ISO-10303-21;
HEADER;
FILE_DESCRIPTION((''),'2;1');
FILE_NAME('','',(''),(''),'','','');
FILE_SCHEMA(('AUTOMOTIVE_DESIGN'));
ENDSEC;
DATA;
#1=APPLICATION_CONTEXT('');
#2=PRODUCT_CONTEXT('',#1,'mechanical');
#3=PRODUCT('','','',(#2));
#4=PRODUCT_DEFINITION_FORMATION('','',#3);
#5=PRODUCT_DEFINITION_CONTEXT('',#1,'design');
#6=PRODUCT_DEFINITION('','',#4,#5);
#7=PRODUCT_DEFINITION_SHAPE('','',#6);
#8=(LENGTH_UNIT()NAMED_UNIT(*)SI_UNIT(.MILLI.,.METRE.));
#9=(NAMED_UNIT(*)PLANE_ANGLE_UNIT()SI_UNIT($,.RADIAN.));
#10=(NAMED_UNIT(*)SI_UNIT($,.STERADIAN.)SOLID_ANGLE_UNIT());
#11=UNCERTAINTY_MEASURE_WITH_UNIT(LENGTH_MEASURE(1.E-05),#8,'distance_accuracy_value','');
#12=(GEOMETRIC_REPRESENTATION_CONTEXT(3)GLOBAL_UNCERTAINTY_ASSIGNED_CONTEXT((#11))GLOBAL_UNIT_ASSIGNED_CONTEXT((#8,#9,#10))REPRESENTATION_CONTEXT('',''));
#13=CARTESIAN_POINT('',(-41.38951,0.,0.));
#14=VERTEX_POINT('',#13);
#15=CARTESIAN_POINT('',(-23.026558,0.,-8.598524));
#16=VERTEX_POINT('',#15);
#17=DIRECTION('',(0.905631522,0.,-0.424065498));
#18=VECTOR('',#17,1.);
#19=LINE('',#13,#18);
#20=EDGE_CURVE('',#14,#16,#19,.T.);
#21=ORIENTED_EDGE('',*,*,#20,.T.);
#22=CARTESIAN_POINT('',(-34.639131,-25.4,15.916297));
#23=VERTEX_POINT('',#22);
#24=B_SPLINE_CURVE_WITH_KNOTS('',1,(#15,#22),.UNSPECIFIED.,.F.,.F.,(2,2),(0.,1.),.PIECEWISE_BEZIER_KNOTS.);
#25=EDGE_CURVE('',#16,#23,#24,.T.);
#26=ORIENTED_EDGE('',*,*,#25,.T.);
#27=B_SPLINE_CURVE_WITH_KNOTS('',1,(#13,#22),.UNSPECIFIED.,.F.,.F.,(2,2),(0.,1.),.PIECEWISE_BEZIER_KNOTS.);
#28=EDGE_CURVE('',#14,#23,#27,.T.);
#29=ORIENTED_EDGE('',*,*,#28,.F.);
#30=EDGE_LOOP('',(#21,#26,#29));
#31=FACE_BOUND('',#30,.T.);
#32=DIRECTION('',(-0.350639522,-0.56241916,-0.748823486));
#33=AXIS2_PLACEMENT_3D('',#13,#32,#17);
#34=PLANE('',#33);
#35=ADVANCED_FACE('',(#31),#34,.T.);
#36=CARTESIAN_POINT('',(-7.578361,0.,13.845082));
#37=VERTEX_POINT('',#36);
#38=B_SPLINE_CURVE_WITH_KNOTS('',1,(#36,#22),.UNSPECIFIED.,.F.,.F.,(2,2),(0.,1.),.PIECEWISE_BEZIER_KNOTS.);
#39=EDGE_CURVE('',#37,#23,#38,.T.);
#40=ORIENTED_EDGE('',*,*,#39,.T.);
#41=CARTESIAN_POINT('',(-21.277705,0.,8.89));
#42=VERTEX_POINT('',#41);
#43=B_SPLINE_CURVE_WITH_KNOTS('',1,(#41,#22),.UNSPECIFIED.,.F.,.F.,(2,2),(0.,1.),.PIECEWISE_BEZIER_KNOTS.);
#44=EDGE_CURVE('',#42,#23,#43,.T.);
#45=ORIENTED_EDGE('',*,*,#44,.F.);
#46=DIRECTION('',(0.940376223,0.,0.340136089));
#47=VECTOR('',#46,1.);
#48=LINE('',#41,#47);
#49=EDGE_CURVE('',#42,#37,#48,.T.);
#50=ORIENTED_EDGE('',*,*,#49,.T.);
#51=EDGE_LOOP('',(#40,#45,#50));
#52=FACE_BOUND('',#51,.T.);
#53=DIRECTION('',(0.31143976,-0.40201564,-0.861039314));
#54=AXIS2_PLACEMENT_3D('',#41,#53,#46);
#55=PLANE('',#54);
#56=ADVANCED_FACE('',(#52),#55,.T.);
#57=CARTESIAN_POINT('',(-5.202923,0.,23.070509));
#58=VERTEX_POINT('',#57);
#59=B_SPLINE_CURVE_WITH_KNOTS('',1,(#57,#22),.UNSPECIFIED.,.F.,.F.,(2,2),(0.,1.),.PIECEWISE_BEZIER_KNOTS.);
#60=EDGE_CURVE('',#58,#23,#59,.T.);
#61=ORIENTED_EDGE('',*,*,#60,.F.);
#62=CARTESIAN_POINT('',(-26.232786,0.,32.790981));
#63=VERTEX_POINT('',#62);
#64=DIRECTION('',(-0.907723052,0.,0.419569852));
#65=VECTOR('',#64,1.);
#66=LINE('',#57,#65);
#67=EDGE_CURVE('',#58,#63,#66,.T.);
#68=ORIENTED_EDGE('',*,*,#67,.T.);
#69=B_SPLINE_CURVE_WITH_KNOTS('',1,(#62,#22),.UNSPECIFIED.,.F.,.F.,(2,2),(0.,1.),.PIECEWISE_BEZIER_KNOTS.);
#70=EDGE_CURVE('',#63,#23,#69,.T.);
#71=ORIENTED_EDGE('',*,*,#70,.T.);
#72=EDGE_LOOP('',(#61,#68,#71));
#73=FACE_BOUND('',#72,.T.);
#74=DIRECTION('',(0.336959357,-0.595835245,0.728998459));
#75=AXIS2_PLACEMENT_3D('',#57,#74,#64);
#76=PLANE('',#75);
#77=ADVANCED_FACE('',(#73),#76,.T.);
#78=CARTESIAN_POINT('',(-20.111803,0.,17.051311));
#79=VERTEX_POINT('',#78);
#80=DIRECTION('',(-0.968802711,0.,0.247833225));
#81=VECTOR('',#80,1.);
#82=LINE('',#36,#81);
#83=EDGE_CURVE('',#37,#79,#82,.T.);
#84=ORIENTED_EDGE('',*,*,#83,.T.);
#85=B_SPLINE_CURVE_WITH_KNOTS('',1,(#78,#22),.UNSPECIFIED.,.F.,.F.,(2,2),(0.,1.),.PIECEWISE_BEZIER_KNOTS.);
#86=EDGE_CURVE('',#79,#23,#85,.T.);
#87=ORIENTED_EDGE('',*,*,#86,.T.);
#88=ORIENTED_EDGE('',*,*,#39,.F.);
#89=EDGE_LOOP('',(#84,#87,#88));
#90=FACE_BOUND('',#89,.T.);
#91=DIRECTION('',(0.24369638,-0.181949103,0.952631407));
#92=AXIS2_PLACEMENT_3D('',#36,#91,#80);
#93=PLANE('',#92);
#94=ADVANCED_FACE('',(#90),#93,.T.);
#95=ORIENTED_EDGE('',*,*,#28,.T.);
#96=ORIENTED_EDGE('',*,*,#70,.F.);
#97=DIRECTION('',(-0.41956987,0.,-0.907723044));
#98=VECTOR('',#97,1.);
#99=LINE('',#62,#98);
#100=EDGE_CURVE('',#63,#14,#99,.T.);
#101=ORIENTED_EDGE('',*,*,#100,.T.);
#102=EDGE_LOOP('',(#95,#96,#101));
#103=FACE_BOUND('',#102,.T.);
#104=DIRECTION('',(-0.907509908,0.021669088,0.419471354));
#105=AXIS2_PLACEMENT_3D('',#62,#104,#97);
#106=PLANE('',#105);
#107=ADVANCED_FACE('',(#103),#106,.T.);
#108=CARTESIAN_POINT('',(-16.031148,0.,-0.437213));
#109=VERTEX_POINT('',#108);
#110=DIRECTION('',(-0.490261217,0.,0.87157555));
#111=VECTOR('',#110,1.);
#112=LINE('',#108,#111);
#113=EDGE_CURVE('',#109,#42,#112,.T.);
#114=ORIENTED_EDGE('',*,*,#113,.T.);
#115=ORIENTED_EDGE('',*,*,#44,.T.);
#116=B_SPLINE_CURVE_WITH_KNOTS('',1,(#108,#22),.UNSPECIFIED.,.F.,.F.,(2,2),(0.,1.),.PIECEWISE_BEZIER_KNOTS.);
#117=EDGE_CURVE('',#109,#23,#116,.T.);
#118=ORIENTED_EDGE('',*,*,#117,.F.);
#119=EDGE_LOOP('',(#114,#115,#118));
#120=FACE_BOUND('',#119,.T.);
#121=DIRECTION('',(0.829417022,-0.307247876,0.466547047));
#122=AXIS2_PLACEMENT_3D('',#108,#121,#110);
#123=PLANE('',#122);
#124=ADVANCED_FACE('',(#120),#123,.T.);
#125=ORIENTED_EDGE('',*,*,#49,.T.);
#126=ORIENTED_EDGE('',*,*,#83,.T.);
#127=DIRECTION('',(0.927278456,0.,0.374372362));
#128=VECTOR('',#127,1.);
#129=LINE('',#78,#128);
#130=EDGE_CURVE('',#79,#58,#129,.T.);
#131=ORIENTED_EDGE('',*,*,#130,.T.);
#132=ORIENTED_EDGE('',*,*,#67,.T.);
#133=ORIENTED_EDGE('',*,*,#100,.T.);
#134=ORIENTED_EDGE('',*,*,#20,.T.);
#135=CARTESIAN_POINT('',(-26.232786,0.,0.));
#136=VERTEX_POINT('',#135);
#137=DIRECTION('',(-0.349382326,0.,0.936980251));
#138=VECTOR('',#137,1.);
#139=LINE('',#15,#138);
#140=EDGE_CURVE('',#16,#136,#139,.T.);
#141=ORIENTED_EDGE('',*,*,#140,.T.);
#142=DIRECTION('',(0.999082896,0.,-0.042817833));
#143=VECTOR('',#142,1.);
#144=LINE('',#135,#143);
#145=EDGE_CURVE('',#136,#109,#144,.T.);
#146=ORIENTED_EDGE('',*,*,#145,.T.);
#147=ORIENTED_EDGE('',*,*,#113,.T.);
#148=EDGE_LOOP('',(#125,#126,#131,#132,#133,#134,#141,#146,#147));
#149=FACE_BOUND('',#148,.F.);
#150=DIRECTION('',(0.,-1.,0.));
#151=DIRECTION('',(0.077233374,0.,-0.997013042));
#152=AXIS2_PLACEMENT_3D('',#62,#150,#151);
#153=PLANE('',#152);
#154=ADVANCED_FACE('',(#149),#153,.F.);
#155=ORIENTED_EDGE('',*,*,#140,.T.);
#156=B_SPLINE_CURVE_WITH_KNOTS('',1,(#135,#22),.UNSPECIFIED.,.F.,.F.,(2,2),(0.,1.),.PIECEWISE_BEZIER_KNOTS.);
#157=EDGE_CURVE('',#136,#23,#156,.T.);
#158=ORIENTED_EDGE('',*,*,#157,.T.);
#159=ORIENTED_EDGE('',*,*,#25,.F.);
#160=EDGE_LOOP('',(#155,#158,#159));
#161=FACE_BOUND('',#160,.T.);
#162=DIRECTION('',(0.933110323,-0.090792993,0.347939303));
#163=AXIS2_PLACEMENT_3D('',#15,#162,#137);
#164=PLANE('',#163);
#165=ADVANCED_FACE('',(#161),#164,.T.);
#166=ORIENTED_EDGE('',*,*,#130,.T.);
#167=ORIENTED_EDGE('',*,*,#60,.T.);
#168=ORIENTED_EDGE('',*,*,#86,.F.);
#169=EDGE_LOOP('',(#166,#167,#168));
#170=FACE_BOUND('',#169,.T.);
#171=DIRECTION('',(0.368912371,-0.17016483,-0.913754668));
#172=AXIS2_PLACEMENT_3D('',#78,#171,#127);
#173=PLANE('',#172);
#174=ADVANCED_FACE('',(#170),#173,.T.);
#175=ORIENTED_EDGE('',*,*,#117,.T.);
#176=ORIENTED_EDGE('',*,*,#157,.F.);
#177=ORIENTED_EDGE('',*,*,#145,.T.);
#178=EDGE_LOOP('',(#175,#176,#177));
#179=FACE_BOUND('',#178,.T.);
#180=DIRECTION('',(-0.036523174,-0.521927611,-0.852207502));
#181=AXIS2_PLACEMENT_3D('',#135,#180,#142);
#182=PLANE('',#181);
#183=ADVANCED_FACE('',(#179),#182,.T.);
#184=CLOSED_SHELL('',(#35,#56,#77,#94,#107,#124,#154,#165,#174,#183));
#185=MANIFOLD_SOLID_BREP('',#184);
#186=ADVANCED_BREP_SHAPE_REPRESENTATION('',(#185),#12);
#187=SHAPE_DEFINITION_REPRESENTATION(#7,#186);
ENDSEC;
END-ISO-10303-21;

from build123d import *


with BuildPart() as f3:
    # F0 (on Front) → F3 section 0
    with BuildSketch(Plane.XZ, mode=Mode.PRIVATE) as f3_s0:
        Polygon((-26.232786, 32.790981), (-41.38951, 0), (-23.026558, -8.598524), (-26.232786, 0), (-16.031148, -0.437213), (-21.277705, 8.89), (-7.578361, 13.845082), (-20.111803, 17.051311), (-5.202923, 23.070509), align=None)
    loft([f3_s0.sketch, Vertex(-34.639131, -25.4, 15.916297)])


solid = f3.part
